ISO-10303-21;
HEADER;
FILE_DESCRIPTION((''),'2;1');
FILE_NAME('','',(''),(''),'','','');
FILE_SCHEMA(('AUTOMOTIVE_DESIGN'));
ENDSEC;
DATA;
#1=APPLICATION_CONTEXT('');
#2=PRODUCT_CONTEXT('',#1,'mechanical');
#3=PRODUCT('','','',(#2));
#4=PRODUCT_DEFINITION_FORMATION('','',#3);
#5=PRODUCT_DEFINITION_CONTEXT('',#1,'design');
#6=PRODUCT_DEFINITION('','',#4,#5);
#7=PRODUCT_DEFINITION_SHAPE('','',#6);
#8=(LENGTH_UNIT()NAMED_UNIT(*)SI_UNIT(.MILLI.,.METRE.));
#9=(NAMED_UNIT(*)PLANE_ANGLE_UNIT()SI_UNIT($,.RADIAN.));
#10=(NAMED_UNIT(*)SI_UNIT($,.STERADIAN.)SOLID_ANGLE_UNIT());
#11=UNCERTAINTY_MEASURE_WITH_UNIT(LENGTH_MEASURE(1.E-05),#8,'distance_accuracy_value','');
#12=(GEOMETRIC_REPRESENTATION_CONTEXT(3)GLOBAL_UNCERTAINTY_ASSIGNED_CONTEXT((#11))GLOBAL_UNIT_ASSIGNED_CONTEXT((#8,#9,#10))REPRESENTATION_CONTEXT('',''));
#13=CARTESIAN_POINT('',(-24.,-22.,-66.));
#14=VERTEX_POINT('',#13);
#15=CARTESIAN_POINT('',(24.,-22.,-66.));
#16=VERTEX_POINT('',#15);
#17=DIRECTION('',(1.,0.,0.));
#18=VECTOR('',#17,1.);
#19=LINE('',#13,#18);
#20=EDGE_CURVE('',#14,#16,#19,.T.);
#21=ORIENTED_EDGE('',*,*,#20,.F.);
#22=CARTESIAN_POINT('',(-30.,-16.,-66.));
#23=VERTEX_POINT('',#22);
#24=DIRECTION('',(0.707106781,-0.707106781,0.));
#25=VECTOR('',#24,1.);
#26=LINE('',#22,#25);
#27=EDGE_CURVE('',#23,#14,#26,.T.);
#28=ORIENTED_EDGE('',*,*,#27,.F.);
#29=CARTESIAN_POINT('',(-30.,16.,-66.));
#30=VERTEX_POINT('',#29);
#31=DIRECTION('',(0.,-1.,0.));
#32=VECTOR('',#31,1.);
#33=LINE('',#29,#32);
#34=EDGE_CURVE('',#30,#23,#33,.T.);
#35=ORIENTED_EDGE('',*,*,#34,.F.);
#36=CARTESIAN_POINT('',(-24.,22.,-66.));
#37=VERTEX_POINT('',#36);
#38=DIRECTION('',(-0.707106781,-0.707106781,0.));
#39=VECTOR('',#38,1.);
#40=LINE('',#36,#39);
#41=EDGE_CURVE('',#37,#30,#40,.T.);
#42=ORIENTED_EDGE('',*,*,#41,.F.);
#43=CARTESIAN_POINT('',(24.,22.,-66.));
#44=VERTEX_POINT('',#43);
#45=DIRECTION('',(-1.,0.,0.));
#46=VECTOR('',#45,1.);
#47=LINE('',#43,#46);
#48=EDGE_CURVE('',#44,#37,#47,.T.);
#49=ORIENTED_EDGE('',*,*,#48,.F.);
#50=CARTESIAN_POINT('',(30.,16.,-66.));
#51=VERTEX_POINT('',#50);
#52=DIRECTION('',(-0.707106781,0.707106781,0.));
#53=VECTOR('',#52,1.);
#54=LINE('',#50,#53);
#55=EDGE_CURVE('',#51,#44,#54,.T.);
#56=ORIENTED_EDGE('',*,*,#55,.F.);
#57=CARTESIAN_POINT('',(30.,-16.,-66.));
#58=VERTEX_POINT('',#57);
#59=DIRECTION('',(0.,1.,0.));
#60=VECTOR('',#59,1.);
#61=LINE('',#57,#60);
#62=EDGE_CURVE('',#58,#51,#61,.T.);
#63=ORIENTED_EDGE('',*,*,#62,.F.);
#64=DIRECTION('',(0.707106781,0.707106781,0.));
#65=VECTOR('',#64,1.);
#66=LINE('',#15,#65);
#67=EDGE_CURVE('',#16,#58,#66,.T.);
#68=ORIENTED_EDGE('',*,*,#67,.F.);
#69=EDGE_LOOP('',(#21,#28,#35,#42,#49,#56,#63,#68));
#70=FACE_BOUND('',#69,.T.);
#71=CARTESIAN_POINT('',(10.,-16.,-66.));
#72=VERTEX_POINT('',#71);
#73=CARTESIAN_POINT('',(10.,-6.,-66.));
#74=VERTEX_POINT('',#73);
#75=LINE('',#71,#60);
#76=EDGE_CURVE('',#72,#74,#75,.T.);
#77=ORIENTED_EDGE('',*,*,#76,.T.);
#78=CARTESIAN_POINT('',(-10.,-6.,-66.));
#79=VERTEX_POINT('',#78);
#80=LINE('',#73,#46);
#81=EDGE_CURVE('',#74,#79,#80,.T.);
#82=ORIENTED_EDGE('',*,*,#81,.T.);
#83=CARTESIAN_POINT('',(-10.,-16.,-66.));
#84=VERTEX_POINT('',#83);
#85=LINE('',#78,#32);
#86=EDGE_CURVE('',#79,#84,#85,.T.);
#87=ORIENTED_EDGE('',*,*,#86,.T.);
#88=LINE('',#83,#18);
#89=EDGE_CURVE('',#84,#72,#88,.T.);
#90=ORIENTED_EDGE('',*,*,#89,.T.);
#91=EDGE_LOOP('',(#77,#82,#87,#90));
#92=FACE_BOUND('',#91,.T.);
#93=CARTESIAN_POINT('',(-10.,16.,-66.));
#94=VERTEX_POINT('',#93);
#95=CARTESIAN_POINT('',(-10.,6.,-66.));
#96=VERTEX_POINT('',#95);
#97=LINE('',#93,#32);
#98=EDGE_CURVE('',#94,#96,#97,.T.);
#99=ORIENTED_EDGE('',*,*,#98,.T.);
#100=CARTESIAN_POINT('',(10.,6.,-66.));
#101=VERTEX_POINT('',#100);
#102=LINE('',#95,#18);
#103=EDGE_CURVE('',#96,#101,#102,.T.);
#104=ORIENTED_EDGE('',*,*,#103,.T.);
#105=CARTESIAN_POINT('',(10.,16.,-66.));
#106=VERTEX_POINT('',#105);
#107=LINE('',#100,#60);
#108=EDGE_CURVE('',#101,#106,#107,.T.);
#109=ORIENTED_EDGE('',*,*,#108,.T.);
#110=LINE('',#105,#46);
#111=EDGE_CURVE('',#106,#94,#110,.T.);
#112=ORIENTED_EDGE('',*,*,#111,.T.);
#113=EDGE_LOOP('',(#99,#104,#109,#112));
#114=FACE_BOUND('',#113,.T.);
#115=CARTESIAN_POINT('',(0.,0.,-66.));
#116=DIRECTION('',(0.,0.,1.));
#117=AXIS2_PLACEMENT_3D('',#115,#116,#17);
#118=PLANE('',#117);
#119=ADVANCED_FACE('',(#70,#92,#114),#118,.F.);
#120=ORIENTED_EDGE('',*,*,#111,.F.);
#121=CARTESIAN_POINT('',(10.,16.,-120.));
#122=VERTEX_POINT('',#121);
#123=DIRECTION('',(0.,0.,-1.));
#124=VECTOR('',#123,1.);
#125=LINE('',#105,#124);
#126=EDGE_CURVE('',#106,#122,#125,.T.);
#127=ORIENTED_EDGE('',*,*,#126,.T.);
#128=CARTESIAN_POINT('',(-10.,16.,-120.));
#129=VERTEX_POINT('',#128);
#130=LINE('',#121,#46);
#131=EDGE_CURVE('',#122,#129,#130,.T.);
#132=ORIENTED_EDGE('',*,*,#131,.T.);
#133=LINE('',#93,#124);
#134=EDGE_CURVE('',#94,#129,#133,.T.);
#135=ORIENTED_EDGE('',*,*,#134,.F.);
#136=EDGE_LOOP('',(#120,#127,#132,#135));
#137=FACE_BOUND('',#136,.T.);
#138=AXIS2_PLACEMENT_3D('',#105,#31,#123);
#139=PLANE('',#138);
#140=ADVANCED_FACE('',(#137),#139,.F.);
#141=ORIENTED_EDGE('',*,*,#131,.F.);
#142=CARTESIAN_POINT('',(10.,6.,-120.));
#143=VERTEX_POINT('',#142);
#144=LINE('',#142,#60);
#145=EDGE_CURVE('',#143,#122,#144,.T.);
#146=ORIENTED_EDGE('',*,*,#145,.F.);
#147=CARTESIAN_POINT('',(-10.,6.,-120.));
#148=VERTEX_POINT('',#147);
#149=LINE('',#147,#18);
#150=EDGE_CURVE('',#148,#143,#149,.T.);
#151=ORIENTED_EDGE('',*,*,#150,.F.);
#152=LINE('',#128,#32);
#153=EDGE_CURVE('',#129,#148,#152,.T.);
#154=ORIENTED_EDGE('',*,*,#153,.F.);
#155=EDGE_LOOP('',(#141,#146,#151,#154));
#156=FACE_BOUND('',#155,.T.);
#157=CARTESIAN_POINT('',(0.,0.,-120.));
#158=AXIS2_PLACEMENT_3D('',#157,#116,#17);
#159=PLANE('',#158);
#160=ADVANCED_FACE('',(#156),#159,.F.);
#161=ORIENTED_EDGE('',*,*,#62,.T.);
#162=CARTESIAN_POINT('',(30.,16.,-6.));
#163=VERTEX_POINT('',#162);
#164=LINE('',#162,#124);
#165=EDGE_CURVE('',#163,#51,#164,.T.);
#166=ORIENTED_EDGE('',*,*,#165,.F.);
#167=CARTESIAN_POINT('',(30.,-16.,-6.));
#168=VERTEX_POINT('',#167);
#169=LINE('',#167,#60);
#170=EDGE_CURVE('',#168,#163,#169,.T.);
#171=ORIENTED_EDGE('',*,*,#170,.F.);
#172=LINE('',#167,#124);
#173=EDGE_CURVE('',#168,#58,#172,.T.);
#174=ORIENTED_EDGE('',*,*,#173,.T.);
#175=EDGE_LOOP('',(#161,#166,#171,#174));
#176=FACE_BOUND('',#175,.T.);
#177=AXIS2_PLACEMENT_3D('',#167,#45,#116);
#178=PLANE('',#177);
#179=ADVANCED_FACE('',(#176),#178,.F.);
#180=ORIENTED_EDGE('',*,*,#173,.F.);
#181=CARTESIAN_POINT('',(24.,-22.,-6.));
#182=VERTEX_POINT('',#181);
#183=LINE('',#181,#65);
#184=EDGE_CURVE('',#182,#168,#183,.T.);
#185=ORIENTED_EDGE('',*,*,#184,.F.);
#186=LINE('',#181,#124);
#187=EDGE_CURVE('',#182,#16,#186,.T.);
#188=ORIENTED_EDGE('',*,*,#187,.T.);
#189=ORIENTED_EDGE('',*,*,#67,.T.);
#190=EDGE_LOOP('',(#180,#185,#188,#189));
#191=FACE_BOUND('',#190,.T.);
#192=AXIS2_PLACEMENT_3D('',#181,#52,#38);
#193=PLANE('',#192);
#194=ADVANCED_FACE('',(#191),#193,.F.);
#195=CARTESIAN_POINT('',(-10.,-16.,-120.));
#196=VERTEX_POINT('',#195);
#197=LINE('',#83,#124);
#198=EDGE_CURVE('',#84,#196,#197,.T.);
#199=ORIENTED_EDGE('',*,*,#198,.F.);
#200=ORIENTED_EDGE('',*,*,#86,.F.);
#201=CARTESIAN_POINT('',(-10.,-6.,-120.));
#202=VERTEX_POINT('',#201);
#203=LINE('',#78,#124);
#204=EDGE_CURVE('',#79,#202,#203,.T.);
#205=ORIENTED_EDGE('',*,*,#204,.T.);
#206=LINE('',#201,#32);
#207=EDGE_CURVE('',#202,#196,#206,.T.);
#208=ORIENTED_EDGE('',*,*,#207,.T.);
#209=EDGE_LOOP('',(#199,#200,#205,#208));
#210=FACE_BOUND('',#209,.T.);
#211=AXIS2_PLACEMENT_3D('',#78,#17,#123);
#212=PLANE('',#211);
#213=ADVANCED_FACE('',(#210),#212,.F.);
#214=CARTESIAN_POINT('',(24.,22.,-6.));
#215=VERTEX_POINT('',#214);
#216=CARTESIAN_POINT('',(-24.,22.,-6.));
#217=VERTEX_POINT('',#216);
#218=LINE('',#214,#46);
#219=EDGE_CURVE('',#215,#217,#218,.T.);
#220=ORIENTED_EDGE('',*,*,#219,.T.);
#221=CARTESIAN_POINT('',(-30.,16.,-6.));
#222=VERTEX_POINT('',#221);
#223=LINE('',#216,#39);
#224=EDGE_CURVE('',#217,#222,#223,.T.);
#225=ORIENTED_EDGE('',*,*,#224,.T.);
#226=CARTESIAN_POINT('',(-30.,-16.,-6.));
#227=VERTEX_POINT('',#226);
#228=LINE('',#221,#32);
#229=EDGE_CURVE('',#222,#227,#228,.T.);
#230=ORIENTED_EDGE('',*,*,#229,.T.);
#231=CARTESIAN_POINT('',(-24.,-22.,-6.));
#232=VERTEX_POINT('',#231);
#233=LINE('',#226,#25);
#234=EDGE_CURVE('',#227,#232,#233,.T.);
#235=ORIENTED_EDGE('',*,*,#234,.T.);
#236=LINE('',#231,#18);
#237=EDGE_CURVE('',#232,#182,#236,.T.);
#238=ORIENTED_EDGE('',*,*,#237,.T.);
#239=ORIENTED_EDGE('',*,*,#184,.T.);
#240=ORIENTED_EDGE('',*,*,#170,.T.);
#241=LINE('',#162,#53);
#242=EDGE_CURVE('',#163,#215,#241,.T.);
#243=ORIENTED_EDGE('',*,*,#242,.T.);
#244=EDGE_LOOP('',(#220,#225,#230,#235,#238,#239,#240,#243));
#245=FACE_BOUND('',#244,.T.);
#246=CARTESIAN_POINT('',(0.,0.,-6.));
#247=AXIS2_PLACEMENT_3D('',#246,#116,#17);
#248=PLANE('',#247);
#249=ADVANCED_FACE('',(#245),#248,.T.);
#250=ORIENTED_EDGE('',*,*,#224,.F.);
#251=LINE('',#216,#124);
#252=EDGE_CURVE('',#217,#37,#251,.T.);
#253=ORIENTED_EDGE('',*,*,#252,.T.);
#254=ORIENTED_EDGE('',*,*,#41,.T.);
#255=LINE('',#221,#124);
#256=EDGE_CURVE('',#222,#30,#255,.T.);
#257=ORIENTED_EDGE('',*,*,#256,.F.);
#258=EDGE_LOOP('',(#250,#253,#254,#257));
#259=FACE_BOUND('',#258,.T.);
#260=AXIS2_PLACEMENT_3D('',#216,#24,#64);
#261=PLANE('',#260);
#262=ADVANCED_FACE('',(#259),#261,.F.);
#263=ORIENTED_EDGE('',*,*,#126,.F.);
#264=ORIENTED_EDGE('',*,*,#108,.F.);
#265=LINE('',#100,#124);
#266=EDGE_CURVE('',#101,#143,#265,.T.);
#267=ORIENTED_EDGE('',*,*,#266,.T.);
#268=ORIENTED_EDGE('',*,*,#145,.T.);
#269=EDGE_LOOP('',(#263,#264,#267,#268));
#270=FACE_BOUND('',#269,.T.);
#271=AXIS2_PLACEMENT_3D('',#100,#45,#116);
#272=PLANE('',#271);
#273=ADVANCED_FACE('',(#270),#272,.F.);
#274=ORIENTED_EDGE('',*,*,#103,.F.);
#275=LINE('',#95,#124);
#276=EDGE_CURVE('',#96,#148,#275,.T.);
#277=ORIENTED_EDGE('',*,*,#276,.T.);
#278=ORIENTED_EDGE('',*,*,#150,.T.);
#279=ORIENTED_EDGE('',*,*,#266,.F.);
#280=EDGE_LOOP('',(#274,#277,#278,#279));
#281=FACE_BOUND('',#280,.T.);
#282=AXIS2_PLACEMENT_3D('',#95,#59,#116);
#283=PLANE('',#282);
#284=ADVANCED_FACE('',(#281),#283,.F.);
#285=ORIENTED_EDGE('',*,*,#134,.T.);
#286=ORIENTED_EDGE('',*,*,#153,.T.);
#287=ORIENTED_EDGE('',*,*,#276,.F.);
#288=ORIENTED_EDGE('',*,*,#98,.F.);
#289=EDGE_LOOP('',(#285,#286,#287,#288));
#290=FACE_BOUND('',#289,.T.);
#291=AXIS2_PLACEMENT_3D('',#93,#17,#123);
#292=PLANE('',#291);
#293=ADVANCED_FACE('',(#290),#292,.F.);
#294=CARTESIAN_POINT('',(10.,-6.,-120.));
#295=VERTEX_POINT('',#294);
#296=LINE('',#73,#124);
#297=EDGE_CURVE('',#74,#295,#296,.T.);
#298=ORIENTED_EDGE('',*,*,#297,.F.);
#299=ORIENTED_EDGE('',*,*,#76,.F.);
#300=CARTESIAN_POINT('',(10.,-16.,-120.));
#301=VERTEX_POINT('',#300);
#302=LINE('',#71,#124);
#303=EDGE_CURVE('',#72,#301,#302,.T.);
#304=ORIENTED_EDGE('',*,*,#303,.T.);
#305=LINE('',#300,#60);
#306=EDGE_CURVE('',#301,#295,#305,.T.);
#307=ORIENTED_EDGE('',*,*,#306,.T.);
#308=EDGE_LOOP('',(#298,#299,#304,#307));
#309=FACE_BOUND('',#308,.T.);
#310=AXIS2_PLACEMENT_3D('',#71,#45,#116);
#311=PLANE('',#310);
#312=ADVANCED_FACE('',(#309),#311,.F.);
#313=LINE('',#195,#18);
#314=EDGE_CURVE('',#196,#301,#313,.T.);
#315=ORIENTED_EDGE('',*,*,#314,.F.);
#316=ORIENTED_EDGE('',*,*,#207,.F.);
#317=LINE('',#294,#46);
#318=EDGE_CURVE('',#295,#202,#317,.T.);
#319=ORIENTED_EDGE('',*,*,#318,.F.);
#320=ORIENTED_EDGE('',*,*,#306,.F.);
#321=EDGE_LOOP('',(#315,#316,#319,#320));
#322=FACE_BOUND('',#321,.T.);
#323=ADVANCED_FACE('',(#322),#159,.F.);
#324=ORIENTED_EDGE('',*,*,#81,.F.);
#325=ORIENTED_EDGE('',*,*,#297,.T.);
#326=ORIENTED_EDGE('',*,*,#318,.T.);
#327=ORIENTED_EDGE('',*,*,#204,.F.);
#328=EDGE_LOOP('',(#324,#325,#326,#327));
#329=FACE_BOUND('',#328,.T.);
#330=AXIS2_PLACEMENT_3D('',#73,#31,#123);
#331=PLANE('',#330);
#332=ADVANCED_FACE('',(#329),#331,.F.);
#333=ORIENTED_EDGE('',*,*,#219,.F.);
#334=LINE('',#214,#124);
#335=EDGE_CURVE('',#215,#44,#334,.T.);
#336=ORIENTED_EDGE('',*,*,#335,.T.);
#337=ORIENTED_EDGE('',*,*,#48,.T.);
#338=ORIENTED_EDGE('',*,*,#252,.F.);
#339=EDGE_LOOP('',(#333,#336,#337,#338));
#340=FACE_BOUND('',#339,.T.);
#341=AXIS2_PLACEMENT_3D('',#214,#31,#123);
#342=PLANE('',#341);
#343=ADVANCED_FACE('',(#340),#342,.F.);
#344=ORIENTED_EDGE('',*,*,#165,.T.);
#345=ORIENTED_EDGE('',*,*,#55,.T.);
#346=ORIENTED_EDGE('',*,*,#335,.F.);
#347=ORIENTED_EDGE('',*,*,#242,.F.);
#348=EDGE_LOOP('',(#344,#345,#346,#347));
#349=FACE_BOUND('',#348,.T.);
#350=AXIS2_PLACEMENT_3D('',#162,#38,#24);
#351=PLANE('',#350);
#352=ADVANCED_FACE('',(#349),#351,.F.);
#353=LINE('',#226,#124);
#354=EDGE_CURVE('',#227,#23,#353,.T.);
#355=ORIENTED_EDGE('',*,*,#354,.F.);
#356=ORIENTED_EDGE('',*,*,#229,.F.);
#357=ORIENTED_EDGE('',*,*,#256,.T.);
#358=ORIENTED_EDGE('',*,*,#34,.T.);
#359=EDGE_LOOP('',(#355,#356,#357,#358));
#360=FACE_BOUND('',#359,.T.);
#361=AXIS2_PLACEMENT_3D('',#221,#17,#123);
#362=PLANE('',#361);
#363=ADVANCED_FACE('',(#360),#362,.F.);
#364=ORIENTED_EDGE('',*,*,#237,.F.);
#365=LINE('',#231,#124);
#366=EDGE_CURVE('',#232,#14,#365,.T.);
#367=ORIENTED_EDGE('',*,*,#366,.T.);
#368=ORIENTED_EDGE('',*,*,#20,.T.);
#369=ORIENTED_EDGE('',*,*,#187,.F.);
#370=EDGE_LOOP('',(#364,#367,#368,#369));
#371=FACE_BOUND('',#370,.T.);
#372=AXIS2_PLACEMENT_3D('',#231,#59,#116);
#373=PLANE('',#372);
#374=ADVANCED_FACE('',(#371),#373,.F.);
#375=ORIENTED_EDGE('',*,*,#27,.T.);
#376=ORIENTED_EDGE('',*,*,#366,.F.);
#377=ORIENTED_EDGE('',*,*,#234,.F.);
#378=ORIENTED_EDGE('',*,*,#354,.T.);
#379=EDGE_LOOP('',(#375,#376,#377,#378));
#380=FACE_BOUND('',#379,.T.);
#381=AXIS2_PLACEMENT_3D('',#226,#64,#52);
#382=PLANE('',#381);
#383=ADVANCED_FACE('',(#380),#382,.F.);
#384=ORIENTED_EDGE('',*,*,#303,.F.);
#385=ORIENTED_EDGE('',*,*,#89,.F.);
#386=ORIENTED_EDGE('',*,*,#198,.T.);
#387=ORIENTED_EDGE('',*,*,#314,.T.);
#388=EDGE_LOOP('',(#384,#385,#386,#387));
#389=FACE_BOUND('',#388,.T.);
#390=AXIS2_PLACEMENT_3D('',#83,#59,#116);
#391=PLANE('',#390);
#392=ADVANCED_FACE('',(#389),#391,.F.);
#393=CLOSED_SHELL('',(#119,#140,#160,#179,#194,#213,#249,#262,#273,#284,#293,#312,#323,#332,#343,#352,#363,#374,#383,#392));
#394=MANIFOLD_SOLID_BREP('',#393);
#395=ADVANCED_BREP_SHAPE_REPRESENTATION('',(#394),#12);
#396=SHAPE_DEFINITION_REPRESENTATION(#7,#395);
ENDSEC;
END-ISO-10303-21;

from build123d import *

# Parameters (mm, degrees)
BODY_DEPTH     = 60
SK_FINGER_A_W  = 20
SK_FINGER_A_H  = 10
FINGER_A_DEPTH = 54
SK_FINGER_B_W  = 20
SK_FINGER_B_H  = 10
FINGER_B_DEPTH = 54


with BuildPart() as part:
    # SK_Body → Body (new body)
    with BuildSketch(Plane.XY.offset(-66)):
        Polygon((-24, -22), (24, -22), (30, -16), (30, 16), (24, 22), (-24, 22), (-30, 16), (-30, -16), align=None)
    extrude(amount=BODY_DEPTH)

    # SK_Finger_A → Finger_A (add)
    with BuildSketch(Plane.XY.offset(-120)):
        with Locations((0, 11)):
            Rectangle(SK_FINGER_A_W, SK_FINGER_A_H)
    extrude(amount=FINGER_A_DEPTH)

    # SK_Finger_B → Finger_B (add)
    with BuildSketch(Plane.XY.offset(-120)):
        with Locations((0, -11)):
            Rectangle(SK_FINGER_B_W, SK_FINGER_B_H)
    extrude(amount=FINGER_B_DEPTH)


solid = part.part
